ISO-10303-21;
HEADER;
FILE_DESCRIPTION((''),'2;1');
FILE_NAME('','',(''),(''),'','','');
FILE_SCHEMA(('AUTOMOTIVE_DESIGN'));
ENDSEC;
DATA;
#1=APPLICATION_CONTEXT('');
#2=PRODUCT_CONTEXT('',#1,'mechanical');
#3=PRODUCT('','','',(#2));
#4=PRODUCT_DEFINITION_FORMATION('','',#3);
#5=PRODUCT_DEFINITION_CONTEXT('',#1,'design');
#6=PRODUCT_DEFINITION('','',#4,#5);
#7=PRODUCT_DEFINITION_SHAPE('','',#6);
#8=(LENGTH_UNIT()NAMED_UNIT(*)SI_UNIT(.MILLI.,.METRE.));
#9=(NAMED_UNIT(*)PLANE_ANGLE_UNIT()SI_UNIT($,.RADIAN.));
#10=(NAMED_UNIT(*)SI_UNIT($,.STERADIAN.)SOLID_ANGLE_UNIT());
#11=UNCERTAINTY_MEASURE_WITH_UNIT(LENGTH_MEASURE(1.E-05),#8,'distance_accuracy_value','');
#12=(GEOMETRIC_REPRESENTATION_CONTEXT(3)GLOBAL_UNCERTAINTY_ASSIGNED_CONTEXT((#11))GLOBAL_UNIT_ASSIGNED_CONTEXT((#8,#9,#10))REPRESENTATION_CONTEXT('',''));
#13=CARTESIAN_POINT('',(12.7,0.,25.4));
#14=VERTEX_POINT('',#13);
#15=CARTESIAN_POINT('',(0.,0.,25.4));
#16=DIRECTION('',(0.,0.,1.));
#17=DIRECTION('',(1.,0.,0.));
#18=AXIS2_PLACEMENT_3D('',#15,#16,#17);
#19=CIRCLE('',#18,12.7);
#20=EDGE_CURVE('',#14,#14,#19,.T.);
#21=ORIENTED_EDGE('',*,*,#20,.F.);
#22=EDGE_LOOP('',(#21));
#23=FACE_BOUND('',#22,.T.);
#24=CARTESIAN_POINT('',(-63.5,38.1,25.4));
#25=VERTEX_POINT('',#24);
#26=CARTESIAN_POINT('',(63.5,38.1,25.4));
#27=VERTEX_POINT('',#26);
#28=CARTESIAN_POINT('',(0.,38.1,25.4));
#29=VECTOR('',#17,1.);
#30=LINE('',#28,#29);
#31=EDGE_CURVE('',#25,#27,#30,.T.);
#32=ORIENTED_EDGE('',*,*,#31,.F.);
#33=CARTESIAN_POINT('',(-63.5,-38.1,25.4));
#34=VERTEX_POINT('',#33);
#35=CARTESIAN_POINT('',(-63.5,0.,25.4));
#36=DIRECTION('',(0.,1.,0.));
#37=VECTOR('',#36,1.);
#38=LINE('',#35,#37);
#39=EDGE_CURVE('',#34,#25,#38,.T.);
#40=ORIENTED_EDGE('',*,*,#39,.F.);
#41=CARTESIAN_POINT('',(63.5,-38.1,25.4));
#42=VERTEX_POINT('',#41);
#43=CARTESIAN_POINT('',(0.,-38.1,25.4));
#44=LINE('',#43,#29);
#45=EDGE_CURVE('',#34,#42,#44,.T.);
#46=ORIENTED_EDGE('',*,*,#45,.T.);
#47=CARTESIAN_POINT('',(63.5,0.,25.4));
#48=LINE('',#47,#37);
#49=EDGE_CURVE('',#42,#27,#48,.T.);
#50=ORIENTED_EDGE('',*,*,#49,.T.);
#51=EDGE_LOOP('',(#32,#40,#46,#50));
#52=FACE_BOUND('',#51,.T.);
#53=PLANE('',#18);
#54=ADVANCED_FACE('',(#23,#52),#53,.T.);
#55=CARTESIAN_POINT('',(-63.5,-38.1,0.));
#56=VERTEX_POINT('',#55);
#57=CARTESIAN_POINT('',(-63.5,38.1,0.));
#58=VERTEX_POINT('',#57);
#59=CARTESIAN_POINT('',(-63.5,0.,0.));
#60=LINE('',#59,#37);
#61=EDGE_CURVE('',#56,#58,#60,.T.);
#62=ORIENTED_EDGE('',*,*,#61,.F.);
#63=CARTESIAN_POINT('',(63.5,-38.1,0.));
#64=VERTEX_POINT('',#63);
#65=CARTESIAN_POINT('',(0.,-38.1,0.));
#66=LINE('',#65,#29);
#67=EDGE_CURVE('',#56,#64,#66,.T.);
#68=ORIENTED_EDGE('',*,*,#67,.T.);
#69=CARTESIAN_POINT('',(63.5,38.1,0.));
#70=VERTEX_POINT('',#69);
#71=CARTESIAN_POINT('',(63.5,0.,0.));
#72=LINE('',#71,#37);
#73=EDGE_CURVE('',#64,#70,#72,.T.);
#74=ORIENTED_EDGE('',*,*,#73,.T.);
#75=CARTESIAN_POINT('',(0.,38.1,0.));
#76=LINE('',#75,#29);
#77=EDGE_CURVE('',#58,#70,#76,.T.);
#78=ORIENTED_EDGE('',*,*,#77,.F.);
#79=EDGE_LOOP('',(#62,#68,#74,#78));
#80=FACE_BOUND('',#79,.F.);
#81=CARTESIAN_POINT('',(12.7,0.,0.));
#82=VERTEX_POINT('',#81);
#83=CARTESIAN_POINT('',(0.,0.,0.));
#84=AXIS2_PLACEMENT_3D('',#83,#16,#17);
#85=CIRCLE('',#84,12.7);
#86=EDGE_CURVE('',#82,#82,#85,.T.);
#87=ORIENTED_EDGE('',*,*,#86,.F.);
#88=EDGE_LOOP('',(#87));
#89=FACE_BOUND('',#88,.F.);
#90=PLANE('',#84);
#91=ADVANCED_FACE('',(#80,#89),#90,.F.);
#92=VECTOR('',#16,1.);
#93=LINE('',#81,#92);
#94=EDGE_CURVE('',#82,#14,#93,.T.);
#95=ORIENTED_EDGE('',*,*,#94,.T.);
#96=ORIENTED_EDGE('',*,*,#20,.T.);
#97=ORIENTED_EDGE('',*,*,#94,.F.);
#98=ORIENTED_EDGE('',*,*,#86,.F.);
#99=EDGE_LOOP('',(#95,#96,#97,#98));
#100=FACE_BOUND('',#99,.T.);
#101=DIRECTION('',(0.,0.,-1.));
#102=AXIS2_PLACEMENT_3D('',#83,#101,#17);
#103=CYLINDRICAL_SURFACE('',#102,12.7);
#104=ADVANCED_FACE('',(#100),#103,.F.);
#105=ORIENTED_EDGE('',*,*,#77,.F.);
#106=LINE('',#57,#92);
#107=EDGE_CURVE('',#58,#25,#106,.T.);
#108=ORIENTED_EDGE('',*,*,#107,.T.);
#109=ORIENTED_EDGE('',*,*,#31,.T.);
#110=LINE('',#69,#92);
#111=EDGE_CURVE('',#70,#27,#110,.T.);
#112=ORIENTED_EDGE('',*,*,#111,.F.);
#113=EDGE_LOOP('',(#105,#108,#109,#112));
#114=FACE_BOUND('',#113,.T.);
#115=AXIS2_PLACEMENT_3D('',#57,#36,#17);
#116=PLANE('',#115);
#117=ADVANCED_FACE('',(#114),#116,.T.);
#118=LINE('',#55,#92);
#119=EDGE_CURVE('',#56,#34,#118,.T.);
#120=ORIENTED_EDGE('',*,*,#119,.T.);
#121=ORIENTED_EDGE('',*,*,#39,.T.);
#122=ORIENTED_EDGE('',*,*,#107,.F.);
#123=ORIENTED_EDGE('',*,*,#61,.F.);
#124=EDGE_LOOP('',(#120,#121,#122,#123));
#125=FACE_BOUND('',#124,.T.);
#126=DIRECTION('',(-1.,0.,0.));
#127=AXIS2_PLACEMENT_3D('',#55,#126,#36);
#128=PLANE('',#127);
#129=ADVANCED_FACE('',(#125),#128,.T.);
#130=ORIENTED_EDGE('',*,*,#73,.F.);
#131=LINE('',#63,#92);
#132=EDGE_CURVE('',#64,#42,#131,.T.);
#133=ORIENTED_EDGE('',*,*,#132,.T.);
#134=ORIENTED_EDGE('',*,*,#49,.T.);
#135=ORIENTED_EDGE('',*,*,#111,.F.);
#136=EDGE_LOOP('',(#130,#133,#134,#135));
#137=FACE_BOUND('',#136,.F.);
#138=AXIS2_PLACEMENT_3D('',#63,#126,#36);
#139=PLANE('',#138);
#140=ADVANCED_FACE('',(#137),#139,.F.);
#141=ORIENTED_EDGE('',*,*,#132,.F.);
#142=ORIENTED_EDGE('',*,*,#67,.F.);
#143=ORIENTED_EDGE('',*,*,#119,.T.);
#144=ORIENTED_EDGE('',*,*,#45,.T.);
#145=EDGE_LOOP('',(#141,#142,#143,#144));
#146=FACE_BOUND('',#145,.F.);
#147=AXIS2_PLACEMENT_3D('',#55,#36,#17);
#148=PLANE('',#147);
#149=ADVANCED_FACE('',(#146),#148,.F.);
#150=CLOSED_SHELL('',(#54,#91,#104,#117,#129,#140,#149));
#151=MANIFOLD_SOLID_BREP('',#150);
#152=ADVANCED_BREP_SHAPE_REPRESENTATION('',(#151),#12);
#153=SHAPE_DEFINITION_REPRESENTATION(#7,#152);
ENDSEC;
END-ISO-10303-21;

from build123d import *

# Parameters (mm, degrees)
F1_W     = 127
F1_H     = 76.2
F1_R     = 12.7
F2_DEPTH = 25.4


with BuildPart() as f2:
    # F1 (on face) → F2 (new body)
    with BuildSketch(Plane.XY):
        Rectangle(F1_W, F1_H)
        Circle(F1_R, mode=Mode.SUBTRACT)
    extrude(amount=F2_DEPTH)


solid = f2.part
